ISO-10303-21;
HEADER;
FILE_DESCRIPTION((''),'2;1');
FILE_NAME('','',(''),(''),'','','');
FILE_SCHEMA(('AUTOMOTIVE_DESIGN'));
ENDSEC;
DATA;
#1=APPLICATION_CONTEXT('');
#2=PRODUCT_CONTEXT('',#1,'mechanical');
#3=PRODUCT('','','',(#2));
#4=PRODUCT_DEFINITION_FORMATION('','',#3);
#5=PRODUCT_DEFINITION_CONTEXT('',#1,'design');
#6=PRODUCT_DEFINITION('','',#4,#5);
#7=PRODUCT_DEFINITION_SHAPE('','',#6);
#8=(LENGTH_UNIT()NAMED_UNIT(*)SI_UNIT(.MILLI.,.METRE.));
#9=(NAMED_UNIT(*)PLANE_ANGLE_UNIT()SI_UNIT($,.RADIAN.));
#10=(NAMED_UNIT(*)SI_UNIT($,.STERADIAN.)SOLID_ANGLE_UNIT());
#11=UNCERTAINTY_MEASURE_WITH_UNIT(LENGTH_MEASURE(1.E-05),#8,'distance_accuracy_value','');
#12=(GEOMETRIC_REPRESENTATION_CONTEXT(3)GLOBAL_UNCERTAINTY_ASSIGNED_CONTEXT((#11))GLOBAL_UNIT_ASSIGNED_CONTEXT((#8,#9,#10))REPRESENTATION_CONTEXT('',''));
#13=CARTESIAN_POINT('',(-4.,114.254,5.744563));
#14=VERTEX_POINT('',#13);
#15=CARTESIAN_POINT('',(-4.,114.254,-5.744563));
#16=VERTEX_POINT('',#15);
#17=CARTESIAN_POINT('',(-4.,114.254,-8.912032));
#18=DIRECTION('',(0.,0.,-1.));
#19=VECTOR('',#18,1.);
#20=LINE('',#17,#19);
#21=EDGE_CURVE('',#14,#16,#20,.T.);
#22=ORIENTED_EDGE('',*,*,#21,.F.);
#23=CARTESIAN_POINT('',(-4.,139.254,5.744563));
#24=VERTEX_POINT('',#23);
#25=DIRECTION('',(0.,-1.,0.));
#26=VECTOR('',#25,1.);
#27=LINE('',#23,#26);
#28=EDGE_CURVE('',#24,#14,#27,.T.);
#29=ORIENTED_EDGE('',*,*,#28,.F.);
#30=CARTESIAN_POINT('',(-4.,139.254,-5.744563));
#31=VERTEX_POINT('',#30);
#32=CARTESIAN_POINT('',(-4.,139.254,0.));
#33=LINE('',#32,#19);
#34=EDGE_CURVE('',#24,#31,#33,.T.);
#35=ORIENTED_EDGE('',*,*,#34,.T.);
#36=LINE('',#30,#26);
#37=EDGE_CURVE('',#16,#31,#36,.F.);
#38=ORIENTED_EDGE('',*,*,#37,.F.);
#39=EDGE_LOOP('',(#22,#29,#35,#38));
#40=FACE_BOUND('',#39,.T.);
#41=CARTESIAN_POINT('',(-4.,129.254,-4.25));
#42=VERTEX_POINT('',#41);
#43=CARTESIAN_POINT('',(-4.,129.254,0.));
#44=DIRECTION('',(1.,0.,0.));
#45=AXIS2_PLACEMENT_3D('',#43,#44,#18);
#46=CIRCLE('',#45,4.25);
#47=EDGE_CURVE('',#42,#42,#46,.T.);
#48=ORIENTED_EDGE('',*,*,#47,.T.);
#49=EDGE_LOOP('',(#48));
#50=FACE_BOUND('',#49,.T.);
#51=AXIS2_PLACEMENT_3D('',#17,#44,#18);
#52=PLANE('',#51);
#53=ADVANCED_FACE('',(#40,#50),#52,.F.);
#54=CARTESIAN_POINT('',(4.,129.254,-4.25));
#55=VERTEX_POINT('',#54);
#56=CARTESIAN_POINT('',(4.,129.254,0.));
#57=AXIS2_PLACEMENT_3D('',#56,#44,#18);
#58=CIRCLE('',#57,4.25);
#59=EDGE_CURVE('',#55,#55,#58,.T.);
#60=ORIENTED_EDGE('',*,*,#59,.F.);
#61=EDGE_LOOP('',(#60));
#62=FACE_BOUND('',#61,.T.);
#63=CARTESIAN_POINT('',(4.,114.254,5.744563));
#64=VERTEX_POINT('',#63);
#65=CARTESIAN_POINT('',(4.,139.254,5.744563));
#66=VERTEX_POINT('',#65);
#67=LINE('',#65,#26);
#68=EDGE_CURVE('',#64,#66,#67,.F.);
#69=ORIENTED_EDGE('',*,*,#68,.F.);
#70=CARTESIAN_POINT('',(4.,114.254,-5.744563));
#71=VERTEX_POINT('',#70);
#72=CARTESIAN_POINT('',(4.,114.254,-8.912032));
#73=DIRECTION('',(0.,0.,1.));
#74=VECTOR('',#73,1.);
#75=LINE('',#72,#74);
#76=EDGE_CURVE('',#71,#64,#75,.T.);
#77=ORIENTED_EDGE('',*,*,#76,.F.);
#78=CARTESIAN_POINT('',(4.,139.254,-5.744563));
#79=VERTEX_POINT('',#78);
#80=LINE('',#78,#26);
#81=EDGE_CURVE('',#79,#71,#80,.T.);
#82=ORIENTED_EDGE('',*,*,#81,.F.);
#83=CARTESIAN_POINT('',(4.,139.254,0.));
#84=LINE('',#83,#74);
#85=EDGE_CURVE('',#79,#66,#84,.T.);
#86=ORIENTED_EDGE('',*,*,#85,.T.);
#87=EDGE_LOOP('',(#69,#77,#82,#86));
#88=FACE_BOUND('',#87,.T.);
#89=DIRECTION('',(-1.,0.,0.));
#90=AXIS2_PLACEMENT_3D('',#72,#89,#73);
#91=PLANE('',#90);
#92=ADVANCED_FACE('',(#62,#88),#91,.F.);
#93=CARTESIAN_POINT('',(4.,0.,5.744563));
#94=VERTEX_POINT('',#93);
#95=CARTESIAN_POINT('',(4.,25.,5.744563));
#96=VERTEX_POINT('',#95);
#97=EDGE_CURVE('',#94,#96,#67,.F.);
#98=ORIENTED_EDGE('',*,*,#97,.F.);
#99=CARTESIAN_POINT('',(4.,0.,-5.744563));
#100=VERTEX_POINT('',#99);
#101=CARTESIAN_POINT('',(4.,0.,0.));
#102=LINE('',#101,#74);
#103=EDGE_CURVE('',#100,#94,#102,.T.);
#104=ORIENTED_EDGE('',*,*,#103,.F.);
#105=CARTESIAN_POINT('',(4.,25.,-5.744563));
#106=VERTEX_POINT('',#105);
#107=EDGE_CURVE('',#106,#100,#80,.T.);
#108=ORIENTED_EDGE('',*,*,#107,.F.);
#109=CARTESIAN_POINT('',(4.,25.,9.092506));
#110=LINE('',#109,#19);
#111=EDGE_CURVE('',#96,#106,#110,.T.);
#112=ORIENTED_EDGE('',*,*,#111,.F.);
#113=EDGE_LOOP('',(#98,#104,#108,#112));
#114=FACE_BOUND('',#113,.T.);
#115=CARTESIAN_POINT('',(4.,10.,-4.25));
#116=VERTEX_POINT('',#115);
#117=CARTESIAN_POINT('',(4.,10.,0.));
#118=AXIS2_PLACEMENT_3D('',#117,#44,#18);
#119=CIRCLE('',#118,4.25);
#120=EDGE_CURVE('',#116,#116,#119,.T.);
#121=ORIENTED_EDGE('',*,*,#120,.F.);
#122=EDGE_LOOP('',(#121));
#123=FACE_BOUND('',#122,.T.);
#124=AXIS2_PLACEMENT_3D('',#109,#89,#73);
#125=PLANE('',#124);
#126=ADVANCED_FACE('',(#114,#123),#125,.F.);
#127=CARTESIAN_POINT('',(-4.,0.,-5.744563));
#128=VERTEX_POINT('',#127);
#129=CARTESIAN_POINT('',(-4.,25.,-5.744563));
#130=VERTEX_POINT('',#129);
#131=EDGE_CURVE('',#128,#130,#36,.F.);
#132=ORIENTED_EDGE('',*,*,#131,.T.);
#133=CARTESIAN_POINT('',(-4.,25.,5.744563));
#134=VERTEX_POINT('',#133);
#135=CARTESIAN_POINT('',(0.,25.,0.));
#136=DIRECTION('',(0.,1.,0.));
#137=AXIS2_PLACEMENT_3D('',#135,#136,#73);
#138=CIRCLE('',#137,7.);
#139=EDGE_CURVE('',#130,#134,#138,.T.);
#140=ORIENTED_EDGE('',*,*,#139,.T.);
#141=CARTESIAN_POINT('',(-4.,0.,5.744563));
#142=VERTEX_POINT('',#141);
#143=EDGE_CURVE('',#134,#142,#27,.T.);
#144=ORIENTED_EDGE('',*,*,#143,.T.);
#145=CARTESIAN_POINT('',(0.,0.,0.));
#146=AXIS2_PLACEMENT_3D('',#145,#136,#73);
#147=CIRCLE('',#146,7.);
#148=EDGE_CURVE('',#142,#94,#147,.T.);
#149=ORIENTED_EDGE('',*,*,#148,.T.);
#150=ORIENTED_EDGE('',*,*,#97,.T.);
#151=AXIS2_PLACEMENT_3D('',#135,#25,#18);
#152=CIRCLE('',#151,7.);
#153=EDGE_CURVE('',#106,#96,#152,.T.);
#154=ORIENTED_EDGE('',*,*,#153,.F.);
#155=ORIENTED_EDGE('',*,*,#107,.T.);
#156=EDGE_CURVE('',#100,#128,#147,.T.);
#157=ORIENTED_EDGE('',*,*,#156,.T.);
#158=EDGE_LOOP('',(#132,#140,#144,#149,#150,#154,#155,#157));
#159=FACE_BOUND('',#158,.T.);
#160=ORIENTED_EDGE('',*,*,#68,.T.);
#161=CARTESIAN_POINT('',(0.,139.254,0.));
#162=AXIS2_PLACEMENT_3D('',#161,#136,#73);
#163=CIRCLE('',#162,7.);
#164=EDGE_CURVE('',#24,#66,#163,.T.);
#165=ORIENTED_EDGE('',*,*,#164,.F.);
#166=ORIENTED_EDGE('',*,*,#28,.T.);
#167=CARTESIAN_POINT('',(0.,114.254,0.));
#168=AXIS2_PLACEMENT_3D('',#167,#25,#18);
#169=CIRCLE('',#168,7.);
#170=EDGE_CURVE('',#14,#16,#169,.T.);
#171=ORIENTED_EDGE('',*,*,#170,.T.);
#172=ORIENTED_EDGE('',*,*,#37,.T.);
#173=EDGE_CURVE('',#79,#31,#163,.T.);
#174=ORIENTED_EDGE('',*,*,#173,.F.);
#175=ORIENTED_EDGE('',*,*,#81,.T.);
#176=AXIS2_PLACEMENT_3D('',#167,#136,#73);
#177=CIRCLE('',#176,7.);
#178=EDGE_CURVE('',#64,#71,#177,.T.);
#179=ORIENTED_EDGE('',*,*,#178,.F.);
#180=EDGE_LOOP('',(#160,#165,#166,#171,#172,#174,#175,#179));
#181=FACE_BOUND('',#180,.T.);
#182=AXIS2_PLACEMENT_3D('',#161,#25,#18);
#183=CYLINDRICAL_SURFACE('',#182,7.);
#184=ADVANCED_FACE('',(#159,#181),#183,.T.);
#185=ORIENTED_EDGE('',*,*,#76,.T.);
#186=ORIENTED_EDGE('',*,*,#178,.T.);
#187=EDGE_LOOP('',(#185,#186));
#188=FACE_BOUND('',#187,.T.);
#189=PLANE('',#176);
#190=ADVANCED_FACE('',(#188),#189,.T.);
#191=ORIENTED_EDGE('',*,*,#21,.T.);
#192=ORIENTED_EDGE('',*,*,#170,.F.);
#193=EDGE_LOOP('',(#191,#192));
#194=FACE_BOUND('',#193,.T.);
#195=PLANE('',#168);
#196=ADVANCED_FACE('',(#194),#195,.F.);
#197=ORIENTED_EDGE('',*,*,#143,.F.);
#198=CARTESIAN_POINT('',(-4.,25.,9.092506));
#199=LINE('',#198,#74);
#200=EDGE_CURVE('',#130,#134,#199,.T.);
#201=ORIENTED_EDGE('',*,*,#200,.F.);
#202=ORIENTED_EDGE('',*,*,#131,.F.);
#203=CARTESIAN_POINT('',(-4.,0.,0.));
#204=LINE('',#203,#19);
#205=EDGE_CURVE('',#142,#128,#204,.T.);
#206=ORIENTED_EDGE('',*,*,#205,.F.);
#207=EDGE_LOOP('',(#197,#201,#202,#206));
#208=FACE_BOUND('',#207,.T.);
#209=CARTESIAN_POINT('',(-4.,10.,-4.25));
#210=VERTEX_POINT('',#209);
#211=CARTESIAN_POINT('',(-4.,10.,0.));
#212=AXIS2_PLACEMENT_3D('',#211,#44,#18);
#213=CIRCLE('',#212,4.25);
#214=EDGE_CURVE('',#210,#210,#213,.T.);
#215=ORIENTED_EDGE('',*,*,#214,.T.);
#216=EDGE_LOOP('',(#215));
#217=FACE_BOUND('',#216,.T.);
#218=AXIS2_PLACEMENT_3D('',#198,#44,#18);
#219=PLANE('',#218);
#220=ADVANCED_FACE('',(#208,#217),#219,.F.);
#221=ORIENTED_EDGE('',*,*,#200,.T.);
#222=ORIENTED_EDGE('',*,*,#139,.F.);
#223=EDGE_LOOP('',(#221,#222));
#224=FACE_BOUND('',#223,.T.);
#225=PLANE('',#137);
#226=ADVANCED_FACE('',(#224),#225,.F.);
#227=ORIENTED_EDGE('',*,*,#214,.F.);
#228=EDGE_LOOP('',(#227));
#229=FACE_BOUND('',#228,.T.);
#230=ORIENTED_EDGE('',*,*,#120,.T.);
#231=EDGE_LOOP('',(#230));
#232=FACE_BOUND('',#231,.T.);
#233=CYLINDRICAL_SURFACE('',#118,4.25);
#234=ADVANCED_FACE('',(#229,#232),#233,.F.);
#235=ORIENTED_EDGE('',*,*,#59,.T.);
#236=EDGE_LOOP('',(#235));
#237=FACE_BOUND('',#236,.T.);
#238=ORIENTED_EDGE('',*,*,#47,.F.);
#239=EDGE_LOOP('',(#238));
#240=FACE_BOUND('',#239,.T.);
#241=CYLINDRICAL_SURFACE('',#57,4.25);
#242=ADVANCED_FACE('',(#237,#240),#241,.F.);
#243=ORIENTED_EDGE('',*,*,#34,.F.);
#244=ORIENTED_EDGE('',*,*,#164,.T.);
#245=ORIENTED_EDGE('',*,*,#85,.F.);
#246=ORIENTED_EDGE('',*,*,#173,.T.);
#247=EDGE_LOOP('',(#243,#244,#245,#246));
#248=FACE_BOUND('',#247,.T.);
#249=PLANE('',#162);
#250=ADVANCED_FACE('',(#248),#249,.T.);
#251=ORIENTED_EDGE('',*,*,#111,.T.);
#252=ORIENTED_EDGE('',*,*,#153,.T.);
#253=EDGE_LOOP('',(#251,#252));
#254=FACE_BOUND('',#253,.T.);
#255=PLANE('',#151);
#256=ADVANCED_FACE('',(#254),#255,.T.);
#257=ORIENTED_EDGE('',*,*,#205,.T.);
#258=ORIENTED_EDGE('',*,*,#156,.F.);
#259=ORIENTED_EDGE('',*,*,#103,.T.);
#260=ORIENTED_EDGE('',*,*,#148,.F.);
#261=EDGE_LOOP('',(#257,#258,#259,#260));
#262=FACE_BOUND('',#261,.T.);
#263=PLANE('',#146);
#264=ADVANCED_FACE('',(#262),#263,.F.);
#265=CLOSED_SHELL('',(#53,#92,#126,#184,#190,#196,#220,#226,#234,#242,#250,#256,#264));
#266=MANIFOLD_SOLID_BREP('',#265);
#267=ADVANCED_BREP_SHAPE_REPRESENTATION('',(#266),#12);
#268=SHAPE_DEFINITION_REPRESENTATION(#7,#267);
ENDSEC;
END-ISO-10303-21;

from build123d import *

# Parameters (mm, degrees)
SKETCH1_R                        = 7
BOSS_EXTRUDE1_DEPTH              = 139.254
SKETCH3_W                        = 3.842840079
SKETCH3_H                        = 19.362001934
SKETCH3_W_2                      = 3.621137766
CUT_EXTRUDE1_DEPTH               = 25
SKETCH4_W                        = 4.298001377
SKETCH4_H                        = 18.624672635
SKETCH4_W_2                      = 5.056472209
SKETCH4_H_2                      = 19.003908051
CUT_EXTRUDE2_DEPTH               = 25
TAP_DRILL_FOR_M10X1_5_TAP1_D     = 8.5
TAP_DRILL_FOR_M10X1_5_TAP1_DEPTH = 20
TAP_DRILL_FOR_M10X1_5_TAP1_TIP   = 2.553657631


with BuildPart() as part:
    # Sketch1 → Boss-Extrude1 (new body)
    with BuildSketch(Plane(origin=(0, 0, 0), x_dir=(1, 0, 0), z_dir=(0, 1, 0))):
        Circle(SKETCH1_R)
    extrude(amount=BOSS_EXTRUDE1_DEPTH)

    # Sketch3 → Cut-Extrude1 (cut)
    with BuildSketch(Plane.XZ):
        with Locations((5.92142004, -0.588495195)):
            Rectangle(SKETCH3_W, SKETCH3_H)
        with Locations((-5.810568883, -0.588495195)):
            Rectangle(SKETCH3_W_2, SKETCH3_H)
    extrude(amount=-CUT_EXTRUDE1_DEPTH, mode=Mode.SUBTRACT)

    # Sketch4 → Cut-Extrude2 (cut)
    with BuildSketch(Plane(origin=(0, 139.254, 0), x_dir=(1, 0, 0), z_dir=(0, 1, 0))):
        with Locations((-6.149000689, -0.400304049)):
            Rectangle(SKETCH4_W, SKETCH4_H)
        with Locations((6.528236105, -0.589921757)):
            Rectangle(SKETCH4_W_2, SKETCH4_H_2)
    extrude(amount=-CUT_EXTRUDE2_DEPTH, mode=Mode.SUBTRACT)

    # Tap Drill for M10x1.5 Tap1
    with Locations(Plane(origin=(4, 0, 0), x_dir=(0, 0, -1), z_dir=(1, 0, 0))):
        with Locations((0, 129.254), (0, 10)):
            Hole(TAP_DRILL_FOR_M10X1_5_TAP1_D / 2, depth=TAP_DRILL_FOR_M10X1_5_TAP1_DEPTH)
            with Locations((0, 0, -(TAP_DRILL_FOR_M10X1_5_TAP1_DEPTH + TAP_DRILL_FOR_M10X1_5_TAP1_TIP / 2))):  # 118° drill point
                Cone(0, TAP_DRILL_FOR_M10X1_5_TAP1_D / 2, TAP_DRILL_FOR_M10X1_5_TAP1_TIP, mode=Mode.SUBTRACT)


solid = part.part
